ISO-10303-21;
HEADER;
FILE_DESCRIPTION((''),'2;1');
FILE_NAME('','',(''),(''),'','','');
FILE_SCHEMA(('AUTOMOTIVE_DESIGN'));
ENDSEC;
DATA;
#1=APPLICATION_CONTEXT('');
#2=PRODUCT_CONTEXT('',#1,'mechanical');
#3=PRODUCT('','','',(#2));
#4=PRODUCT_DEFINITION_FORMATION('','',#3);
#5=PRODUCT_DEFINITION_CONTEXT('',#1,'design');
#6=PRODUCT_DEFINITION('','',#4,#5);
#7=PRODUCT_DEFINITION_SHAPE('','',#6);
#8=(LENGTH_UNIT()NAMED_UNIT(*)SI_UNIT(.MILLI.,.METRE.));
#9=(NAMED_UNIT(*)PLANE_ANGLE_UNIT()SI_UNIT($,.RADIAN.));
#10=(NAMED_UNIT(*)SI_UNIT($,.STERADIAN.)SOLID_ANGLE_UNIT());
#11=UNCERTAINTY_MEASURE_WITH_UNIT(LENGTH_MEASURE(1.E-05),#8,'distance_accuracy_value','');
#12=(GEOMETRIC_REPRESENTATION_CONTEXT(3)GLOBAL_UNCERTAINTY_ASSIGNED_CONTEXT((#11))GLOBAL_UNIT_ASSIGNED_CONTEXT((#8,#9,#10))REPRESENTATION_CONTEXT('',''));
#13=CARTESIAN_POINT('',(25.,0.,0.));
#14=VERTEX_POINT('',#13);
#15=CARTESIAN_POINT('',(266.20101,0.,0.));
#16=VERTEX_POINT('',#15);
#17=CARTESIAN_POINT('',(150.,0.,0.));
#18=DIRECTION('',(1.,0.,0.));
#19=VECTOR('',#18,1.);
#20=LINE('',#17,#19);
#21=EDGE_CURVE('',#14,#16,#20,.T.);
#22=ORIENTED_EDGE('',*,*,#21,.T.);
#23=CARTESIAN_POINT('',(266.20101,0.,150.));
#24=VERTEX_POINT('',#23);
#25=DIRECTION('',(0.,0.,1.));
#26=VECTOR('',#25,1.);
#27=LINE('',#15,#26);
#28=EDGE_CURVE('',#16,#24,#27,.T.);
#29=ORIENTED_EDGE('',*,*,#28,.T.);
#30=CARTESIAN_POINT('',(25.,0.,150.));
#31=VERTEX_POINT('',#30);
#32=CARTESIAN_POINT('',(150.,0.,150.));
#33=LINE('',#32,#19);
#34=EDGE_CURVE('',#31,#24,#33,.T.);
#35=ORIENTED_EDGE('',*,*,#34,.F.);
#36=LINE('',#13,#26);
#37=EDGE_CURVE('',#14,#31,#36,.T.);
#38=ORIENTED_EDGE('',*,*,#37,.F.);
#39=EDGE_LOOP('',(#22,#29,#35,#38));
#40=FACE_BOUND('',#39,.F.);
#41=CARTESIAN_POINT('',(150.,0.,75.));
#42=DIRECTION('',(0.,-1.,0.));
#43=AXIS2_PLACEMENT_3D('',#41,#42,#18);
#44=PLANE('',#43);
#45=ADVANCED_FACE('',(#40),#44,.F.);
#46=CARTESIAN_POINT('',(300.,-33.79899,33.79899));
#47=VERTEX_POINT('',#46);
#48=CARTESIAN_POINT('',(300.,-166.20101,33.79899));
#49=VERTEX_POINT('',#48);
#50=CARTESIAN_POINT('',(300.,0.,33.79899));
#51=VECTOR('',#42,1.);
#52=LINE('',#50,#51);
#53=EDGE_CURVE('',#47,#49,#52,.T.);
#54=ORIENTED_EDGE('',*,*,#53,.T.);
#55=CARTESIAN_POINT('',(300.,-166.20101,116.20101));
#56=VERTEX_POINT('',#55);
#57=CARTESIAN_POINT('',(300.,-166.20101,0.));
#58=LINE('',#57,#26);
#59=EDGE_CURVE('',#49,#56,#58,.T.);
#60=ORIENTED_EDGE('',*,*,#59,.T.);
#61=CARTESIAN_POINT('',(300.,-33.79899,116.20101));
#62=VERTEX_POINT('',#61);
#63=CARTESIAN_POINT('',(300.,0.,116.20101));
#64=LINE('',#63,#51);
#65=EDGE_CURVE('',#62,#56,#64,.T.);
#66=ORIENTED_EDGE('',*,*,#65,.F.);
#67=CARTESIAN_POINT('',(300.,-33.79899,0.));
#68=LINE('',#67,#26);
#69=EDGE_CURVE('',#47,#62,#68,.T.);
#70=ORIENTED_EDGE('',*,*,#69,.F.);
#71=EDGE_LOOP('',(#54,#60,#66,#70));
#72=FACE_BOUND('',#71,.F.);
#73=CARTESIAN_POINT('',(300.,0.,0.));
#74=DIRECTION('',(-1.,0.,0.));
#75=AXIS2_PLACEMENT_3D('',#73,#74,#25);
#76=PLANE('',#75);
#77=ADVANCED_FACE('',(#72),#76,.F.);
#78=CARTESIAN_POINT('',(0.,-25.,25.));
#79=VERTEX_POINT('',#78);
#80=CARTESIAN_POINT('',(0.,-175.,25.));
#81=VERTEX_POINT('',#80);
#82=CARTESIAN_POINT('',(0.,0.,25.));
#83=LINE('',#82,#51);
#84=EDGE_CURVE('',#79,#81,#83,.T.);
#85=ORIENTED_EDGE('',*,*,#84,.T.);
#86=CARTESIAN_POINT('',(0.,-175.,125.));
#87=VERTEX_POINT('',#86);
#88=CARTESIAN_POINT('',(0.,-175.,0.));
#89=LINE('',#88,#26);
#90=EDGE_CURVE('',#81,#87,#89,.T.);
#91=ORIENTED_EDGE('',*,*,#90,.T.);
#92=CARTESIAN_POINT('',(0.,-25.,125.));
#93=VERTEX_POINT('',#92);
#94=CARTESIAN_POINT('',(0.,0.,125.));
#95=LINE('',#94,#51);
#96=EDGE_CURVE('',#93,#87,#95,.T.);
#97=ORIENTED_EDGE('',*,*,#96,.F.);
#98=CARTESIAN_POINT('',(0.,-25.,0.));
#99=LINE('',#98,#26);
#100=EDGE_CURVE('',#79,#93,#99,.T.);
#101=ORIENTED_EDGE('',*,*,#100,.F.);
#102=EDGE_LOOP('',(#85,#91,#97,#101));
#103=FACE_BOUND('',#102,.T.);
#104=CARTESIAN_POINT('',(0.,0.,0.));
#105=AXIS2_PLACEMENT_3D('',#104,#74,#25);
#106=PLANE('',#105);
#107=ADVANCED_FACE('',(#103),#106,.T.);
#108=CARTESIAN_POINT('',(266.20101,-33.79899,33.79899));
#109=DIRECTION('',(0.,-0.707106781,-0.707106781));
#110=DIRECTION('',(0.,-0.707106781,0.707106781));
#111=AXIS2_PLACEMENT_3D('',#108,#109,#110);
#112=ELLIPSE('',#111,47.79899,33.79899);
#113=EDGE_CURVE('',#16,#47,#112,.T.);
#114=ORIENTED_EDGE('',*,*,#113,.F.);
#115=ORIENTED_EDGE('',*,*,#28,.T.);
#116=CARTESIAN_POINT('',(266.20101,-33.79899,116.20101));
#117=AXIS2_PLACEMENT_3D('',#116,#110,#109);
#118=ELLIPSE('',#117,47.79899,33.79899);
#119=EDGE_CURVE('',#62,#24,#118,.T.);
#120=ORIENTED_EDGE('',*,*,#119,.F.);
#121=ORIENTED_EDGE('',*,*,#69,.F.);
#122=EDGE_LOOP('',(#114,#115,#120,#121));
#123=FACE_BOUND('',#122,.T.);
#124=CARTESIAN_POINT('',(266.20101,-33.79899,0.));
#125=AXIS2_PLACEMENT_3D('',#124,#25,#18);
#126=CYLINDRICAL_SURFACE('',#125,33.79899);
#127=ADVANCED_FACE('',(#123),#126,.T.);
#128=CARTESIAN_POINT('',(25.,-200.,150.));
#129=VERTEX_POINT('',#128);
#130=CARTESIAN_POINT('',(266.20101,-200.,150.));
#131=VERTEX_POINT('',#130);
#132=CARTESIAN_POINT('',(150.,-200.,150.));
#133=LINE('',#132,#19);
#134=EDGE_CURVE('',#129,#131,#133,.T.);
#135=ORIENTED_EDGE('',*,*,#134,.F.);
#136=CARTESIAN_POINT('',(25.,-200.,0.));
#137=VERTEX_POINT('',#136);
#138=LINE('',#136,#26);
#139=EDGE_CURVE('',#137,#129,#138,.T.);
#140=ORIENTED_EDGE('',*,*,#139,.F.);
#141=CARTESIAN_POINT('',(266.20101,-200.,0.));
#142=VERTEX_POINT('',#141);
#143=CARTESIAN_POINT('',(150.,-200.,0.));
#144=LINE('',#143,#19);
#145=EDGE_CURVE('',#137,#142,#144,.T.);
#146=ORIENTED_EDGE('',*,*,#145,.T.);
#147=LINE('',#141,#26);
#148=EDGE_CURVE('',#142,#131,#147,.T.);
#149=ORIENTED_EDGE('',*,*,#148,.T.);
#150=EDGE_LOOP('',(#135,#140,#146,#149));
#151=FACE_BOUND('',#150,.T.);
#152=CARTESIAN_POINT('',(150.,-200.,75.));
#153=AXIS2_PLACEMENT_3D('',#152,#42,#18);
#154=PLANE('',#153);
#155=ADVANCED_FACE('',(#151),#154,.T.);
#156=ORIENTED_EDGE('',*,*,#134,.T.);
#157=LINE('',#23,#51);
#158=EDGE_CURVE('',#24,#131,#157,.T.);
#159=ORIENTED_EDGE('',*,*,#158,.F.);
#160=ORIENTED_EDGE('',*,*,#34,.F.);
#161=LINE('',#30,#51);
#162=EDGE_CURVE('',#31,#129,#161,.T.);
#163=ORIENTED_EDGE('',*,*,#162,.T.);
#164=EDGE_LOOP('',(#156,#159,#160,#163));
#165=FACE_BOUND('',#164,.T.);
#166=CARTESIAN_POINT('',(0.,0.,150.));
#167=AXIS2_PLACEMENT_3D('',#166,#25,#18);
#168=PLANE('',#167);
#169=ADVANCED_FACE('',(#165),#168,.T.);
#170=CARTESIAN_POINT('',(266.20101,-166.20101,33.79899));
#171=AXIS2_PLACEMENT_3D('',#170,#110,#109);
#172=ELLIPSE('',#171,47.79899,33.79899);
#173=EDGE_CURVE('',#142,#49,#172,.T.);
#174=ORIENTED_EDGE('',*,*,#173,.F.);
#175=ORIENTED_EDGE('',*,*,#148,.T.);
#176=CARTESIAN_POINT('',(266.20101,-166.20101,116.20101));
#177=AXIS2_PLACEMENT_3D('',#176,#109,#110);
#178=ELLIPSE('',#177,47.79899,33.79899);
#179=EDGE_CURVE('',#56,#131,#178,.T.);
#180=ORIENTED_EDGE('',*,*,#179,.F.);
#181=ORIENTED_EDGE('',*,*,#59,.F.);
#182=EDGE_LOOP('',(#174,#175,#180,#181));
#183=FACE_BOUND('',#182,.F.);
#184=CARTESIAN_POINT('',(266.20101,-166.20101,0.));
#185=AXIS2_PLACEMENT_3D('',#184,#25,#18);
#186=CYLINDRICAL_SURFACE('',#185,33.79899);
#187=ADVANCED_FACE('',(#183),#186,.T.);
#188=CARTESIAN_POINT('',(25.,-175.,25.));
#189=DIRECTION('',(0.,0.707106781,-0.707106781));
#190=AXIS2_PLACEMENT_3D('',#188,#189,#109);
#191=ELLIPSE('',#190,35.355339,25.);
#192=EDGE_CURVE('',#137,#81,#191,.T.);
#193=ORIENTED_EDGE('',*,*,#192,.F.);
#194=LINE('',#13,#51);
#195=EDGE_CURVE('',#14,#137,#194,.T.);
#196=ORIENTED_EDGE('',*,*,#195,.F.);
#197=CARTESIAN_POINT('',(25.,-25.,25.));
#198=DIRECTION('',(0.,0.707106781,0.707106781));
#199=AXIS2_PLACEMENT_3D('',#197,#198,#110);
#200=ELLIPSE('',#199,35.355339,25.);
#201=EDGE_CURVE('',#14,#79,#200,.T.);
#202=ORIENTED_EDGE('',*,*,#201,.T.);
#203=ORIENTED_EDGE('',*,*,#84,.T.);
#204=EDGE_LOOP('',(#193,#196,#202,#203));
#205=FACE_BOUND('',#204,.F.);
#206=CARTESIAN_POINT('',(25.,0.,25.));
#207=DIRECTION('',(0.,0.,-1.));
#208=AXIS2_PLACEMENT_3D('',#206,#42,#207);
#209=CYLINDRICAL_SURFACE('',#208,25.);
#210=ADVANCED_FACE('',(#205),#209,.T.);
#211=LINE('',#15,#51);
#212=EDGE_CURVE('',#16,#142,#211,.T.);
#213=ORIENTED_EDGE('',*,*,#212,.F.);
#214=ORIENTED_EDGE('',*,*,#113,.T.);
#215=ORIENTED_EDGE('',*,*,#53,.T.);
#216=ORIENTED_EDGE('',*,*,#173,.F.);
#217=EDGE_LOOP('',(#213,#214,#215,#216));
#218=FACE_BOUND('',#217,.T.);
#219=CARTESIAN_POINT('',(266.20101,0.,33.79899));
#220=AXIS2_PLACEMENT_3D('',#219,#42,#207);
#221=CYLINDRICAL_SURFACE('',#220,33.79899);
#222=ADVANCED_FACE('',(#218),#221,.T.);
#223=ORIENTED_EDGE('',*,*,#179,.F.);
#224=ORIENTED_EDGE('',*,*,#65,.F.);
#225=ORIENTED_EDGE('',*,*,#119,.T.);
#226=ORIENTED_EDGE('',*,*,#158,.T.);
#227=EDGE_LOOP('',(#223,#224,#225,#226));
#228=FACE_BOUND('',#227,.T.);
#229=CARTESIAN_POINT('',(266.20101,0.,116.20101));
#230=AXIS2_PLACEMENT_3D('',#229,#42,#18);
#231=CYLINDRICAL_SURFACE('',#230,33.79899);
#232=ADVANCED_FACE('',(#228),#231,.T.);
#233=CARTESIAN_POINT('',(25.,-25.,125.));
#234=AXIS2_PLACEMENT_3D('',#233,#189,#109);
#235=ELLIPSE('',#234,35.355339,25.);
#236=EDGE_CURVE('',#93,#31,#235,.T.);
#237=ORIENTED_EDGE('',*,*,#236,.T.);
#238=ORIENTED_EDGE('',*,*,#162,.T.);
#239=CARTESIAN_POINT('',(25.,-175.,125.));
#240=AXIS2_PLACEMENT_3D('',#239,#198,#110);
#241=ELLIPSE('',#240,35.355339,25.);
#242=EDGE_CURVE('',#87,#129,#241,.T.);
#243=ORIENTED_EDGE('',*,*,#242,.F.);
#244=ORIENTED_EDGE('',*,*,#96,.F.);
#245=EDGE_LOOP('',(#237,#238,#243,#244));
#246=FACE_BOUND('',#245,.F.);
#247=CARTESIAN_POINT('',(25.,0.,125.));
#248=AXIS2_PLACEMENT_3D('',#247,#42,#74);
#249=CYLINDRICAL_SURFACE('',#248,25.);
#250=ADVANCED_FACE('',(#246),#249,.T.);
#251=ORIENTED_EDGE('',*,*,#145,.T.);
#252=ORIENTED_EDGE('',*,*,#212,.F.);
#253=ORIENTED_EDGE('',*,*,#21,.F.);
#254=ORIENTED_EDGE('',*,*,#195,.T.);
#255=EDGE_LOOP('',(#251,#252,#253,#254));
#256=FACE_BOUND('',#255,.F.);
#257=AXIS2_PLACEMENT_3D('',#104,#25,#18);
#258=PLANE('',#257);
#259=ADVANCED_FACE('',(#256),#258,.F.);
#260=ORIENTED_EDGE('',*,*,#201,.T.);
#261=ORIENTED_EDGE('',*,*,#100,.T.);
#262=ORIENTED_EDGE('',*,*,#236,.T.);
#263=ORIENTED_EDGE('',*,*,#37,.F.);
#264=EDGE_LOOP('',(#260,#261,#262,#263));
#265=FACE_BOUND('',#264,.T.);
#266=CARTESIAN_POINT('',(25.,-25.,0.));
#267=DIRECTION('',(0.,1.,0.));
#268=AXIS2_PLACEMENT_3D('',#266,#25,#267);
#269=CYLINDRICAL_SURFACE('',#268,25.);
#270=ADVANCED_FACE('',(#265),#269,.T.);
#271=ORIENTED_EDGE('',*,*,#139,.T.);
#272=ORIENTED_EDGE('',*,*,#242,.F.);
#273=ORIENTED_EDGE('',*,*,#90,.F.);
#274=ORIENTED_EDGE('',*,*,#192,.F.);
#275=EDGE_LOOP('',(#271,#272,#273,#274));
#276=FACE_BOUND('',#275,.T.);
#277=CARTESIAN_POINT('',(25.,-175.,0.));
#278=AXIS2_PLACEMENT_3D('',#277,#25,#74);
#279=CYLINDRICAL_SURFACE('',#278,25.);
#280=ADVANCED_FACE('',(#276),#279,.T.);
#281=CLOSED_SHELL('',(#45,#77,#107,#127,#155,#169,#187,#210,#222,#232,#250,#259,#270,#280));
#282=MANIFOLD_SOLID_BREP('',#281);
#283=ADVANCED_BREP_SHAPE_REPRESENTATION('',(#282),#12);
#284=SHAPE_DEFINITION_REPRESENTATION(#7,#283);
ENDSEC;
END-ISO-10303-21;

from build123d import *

# Parameters (mm, degrees)
F0_W     = 300
F0_H     = 150
F1_DEPTH = 200
F3_R     = 33.79899
F4_R     = 25


with BuildPart() as f1:
    # F0 (on Front) → F1 (new body)
    with BuildSketch(Plane.XZ):
        with Locations((150, 75)):
            Rectangle(F0_W, F0_H)
    extrude(amount=F1_DEPTH)

    # F3
    f3_edges = [f1.edges().sort_by_distance(p)[0] for p in [
        (300, -100, 150),
        (300, -100, 0),
        (300, 0, 75),
        (300, -200, 75),
    ]]
    fillet(f3_edges, radius=F3_R)

    # F4
    f4_edges = [f1.edges().sort_by_distance(p)[0] for p in [
        (0, -100, 150),
        (0, -100, 0),
        (0, 0, 75),
        (0, -200, 75),
    ]]
    fillet(f4_edges, radius=F4_R)


solid = f1.part
